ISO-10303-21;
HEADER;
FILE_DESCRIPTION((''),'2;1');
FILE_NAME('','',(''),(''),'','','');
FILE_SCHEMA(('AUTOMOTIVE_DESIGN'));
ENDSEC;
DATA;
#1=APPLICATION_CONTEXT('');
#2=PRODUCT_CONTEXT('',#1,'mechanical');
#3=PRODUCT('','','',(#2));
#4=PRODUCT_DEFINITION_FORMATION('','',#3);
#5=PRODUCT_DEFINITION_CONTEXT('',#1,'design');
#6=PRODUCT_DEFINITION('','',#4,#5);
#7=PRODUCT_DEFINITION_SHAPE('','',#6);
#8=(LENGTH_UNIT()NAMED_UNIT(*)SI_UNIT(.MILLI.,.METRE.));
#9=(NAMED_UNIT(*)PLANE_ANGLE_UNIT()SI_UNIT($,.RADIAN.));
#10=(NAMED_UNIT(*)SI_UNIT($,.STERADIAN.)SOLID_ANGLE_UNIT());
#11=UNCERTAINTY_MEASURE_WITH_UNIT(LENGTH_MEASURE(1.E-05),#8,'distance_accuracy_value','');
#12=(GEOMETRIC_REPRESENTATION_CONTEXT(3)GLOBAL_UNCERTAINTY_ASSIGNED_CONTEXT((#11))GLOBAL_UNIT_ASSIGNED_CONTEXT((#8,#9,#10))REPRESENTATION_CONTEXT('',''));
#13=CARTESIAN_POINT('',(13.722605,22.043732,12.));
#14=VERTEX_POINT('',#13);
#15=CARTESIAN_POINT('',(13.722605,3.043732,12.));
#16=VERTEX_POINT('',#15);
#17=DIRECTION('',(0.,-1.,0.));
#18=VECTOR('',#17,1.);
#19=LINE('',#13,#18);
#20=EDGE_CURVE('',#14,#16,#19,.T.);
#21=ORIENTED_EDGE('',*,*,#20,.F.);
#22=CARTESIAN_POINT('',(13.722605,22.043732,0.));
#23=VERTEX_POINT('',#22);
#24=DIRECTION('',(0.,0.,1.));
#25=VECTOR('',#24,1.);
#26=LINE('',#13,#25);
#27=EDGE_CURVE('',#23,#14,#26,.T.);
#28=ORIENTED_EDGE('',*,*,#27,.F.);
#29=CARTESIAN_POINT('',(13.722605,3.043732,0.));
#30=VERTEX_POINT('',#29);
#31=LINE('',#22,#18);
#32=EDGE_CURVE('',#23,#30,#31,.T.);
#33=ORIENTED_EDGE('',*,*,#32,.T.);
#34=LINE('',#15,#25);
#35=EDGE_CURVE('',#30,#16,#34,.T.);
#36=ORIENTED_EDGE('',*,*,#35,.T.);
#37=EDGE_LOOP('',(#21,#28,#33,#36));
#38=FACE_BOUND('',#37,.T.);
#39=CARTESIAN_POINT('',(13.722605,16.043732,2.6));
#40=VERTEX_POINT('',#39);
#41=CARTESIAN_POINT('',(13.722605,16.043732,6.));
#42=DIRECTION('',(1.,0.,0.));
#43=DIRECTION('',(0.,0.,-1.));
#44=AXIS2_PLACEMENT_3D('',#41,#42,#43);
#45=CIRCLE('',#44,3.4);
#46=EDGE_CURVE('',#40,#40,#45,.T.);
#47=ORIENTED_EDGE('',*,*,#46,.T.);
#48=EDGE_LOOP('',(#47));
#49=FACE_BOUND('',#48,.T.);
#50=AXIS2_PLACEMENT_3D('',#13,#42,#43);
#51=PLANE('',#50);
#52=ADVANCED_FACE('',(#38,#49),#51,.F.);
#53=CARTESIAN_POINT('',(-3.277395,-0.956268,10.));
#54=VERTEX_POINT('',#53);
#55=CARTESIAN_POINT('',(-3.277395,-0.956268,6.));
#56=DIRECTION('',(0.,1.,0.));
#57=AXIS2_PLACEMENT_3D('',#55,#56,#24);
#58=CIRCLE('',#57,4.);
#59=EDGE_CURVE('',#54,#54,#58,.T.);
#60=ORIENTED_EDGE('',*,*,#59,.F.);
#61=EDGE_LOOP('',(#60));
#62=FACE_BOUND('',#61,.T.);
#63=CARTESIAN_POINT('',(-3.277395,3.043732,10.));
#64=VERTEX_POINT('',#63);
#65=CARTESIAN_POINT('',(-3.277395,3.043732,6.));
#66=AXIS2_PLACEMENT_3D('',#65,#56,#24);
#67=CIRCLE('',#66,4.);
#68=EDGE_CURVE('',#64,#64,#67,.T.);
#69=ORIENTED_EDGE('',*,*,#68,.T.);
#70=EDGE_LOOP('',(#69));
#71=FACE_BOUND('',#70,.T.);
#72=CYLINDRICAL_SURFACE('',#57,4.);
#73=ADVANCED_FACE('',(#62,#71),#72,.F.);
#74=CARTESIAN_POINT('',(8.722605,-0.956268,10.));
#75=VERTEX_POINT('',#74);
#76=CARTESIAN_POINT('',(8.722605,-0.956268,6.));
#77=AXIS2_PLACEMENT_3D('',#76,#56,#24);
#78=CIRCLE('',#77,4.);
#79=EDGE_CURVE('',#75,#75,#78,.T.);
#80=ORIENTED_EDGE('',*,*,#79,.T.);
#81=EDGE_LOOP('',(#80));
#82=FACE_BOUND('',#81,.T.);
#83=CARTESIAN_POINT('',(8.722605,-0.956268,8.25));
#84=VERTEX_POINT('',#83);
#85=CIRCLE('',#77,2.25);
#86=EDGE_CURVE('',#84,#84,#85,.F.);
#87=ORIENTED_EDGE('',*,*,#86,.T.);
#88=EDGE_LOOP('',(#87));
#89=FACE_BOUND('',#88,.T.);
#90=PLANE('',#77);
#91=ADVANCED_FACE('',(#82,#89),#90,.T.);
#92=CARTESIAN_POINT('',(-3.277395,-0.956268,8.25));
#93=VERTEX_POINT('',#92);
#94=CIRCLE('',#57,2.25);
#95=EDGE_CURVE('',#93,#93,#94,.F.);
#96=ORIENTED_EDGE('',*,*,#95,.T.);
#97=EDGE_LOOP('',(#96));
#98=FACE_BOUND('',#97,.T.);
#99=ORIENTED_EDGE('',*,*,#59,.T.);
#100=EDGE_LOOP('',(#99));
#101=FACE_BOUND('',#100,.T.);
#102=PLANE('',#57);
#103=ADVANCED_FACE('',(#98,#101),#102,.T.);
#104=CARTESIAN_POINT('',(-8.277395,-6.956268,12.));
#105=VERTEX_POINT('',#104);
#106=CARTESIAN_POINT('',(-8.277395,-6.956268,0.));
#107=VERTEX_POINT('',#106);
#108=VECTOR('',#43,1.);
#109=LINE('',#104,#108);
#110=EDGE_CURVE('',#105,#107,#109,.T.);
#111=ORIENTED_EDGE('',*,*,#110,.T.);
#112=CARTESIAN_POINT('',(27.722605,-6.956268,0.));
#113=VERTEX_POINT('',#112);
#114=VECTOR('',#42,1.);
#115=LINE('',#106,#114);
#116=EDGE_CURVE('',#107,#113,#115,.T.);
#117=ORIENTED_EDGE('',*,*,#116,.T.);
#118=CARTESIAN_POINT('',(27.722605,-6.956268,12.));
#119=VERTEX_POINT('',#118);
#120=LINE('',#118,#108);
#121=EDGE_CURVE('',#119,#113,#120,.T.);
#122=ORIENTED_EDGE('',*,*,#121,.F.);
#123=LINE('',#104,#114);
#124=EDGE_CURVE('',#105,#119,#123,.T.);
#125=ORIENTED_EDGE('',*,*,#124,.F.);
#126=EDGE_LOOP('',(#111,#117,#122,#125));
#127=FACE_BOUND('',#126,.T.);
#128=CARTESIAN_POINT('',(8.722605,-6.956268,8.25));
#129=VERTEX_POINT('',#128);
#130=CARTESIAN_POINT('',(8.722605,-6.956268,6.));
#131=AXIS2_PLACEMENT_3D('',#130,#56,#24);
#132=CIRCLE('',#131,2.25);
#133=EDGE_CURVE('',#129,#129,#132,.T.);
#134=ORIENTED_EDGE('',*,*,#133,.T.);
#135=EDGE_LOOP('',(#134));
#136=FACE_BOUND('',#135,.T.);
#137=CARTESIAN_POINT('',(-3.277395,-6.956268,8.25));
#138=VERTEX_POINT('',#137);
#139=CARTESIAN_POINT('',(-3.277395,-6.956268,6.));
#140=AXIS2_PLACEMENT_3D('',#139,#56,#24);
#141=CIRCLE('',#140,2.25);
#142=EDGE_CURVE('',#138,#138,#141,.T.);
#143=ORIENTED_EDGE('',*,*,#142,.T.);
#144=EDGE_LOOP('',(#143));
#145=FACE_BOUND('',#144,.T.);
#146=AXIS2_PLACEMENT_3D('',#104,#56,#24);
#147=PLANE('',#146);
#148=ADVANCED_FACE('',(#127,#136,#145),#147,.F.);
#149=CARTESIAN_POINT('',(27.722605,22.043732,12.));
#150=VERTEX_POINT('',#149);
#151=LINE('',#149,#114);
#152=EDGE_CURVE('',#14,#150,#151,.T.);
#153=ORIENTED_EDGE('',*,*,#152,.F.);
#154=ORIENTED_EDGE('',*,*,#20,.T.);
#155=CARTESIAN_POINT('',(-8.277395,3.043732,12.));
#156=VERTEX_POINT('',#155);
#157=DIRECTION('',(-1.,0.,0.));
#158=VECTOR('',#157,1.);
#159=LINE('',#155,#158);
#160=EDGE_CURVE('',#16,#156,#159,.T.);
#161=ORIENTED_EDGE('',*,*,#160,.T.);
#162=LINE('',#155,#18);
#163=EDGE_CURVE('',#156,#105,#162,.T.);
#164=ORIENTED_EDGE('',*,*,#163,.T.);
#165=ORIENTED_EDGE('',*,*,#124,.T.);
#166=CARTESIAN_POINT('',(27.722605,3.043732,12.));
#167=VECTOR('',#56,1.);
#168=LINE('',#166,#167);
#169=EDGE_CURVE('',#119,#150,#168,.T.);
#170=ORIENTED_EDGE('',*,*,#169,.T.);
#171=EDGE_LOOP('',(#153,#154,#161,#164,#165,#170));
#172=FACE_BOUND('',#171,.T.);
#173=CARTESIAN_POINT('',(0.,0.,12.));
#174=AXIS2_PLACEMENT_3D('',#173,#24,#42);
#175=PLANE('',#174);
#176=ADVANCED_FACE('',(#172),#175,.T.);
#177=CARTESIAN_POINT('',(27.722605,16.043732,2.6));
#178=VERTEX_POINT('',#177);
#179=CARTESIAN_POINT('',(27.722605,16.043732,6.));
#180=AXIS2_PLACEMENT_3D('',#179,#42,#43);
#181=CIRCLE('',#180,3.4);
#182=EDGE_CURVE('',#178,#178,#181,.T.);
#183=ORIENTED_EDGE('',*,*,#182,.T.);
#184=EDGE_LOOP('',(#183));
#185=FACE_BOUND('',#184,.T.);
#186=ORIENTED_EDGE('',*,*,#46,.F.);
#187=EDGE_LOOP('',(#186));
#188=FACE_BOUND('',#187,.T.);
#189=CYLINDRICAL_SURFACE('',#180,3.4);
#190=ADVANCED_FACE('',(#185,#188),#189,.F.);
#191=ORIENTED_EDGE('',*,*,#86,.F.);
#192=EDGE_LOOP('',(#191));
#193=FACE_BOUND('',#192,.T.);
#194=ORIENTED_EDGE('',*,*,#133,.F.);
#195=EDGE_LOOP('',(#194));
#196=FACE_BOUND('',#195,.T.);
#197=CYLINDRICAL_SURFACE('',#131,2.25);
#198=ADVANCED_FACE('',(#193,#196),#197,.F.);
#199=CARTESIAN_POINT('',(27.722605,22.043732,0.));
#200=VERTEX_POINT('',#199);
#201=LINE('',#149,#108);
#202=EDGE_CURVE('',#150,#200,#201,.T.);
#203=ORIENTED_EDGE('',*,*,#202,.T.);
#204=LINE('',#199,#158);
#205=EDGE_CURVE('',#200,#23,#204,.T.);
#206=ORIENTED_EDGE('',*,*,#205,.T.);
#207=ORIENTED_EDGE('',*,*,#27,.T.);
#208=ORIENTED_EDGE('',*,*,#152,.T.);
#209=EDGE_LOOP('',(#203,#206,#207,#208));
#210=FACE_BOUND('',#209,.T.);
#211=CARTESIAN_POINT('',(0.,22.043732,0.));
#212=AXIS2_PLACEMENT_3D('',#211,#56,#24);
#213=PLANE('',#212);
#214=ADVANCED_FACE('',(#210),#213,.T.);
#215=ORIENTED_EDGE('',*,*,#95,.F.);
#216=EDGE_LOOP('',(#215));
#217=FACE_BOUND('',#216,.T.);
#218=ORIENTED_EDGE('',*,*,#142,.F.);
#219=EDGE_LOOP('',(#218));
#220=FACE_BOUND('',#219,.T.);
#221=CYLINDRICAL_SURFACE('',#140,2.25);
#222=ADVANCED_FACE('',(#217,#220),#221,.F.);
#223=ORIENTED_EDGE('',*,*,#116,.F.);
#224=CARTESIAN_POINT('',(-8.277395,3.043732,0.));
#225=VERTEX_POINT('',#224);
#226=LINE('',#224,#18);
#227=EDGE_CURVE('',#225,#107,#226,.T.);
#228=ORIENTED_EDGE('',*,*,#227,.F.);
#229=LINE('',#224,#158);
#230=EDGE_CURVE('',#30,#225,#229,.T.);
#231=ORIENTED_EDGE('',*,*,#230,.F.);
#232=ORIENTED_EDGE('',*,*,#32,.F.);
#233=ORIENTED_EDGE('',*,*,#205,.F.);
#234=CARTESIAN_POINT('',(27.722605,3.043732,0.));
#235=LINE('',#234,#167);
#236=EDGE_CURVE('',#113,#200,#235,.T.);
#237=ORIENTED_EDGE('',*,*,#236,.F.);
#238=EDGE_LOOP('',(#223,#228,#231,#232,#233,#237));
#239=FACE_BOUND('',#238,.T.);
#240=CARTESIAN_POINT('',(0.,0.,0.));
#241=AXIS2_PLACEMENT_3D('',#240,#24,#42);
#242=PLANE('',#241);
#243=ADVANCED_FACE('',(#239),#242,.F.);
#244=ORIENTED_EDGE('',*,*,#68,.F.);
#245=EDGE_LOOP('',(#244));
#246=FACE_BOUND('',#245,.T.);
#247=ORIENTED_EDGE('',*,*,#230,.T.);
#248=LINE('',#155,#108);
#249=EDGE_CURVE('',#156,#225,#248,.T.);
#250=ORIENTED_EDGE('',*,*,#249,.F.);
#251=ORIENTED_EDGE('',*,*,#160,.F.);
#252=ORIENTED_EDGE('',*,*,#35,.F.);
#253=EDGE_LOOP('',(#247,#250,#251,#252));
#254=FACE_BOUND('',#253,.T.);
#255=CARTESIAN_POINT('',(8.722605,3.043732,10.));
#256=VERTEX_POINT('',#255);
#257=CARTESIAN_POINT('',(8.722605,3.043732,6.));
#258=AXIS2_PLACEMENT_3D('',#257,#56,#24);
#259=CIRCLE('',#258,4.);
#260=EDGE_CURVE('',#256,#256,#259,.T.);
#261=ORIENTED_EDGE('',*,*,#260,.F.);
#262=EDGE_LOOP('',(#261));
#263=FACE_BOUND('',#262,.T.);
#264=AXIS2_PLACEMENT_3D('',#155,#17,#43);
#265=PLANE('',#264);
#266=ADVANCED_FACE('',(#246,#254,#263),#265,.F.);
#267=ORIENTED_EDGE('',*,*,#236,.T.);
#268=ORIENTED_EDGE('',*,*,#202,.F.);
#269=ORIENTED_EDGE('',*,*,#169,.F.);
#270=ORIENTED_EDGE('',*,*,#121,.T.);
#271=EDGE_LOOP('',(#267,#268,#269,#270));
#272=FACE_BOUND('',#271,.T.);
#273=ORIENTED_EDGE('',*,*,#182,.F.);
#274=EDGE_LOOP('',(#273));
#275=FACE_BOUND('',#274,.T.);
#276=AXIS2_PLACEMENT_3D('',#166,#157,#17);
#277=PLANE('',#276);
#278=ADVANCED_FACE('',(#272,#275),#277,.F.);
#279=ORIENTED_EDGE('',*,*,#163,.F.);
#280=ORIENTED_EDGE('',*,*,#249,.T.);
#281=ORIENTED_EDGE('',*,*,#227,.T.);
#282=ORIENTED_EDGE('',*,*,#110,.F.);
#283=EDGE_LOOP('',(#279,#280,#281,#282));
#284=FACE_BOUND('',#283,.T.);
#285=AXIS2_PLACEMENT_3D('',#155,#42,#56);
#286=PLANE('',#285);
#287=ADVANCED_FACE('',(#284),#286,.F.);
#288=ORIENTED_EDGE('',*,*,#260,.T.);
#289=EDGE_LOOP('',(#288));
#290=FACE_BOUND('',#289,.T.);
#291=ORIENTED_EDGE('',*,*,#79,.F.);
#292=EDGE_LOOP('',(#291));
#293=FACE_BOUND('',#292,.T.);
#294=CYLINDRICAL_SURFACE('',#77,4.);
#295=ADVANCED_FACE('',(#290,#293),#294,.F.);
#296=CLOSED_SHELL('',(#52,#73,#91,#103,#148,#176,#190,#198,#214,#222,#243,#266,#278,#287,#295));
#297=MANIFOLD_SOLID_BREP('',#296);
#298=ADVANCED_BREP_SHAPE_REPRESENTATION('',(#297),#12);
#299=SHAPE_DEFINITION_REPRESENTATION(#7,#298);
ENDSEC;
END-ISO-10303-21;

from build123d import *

# Parameters (mm, degrees)
SKETCH1_W             = 36
SKETCH1_H             = 10
BOSS_EXTRUDE1_DEPTH   = 12
SKETCH2_W             = 14
SKETCH2_H             = 12
BOSS_EXTRUDE2_DEPTH   = 19
SKETCH3_R             = 2.25
CUT_EXTRUDE1_DEPTH    = 11
SKETCH4_R             = 4
CUT_EXTRUDE2_DEPTH    = 4
M8_TAPPED_HOLE1_D     = 6.8
M8_TAPPED_HOLE1_DEPTH = 19.75
M8_TAPPED_HOLE1_TIP   = 2.042926105


with BuildPart() as part:
    # Sketch1 → Boss-Extrude1 (new body)
    with BuildSketch(Plane.XY):
        with Locations((9.722605043, -1.956268222)):
            Rectangle(SKETCH1_W, SKETCH1_H)
    extrude(amount=BOSS_EXTRUDE1_DEPTH)

    # Sketch2 → Boss-Extrude2 (add)
    with BuildSketch(Plane(origin=(0, 3.043731778, 0), x_dir=(1, 0, 0), z_dir=(0, 1, 0))):
        with Locations((20.722605043, -6)):
            Rectangle(SKETCH2_W, SKETCH2_H)
    extrude(amount=BOSS_EXTRUDE2_DEPTH)

    # Sketch3 → Cut-Extrude1 (cut, through all)
    with BuildSketch(Plane(origin=(0, 3.043731778, 0), x_dir=(1, 0, 0), z_dir=(0, 1, 0))):
        with Locations((-3.277394957, -6)):
            Circle(SKETCH3_R)
        with Locations((8.722605043, -6)):
            Circle(SKETCH3_R)
    extrude(amount=-CUT_EXTRUDE1_DEPTH, mode=Mode.SUBTRACT)

    # Sketch4 → Cut-Extrude2 (cut)
    with BuildSketch(Plane(origin=(0, 3.043731778, 0), x_dir=(1, 0, 0), z_dir=(0, 1, 0))):
        with Locations((-3.277394957, -6)):
            Circle(SKETCH4_R)
        with Locations((8.722605043, -6)):
            Circle(SKETCH4_R)
    extrude(amount=-CUT_EXTRUDE2_DEPTH, mode=Mode.SUBTRACT)

    # M8 Tapped Hole1
    with Locations(Plane(origin=(27.722605043, 0, 0), x_dir=(0, 0, -1), z_dir=(1, 0, 0))):
        with Locations((-6, 16.043731778)):
            Hole(M8_TAPPED_HOLE1_D / 2, depth=M8_TAPPED_HOLE1_DEPTH)
            with Locations((0, 0, -(M8_TAPPED_HOLE1_DEPTH + M8_TAPPED_HOLE1_TIP / 2))):  # 118° drill point
                Cone(0, M8_TAPPED_HOLE1_D / 2, M8_TAPPED_HOLE1_TIP, mode=Mode.SUBTRACT)


solid = part.part
